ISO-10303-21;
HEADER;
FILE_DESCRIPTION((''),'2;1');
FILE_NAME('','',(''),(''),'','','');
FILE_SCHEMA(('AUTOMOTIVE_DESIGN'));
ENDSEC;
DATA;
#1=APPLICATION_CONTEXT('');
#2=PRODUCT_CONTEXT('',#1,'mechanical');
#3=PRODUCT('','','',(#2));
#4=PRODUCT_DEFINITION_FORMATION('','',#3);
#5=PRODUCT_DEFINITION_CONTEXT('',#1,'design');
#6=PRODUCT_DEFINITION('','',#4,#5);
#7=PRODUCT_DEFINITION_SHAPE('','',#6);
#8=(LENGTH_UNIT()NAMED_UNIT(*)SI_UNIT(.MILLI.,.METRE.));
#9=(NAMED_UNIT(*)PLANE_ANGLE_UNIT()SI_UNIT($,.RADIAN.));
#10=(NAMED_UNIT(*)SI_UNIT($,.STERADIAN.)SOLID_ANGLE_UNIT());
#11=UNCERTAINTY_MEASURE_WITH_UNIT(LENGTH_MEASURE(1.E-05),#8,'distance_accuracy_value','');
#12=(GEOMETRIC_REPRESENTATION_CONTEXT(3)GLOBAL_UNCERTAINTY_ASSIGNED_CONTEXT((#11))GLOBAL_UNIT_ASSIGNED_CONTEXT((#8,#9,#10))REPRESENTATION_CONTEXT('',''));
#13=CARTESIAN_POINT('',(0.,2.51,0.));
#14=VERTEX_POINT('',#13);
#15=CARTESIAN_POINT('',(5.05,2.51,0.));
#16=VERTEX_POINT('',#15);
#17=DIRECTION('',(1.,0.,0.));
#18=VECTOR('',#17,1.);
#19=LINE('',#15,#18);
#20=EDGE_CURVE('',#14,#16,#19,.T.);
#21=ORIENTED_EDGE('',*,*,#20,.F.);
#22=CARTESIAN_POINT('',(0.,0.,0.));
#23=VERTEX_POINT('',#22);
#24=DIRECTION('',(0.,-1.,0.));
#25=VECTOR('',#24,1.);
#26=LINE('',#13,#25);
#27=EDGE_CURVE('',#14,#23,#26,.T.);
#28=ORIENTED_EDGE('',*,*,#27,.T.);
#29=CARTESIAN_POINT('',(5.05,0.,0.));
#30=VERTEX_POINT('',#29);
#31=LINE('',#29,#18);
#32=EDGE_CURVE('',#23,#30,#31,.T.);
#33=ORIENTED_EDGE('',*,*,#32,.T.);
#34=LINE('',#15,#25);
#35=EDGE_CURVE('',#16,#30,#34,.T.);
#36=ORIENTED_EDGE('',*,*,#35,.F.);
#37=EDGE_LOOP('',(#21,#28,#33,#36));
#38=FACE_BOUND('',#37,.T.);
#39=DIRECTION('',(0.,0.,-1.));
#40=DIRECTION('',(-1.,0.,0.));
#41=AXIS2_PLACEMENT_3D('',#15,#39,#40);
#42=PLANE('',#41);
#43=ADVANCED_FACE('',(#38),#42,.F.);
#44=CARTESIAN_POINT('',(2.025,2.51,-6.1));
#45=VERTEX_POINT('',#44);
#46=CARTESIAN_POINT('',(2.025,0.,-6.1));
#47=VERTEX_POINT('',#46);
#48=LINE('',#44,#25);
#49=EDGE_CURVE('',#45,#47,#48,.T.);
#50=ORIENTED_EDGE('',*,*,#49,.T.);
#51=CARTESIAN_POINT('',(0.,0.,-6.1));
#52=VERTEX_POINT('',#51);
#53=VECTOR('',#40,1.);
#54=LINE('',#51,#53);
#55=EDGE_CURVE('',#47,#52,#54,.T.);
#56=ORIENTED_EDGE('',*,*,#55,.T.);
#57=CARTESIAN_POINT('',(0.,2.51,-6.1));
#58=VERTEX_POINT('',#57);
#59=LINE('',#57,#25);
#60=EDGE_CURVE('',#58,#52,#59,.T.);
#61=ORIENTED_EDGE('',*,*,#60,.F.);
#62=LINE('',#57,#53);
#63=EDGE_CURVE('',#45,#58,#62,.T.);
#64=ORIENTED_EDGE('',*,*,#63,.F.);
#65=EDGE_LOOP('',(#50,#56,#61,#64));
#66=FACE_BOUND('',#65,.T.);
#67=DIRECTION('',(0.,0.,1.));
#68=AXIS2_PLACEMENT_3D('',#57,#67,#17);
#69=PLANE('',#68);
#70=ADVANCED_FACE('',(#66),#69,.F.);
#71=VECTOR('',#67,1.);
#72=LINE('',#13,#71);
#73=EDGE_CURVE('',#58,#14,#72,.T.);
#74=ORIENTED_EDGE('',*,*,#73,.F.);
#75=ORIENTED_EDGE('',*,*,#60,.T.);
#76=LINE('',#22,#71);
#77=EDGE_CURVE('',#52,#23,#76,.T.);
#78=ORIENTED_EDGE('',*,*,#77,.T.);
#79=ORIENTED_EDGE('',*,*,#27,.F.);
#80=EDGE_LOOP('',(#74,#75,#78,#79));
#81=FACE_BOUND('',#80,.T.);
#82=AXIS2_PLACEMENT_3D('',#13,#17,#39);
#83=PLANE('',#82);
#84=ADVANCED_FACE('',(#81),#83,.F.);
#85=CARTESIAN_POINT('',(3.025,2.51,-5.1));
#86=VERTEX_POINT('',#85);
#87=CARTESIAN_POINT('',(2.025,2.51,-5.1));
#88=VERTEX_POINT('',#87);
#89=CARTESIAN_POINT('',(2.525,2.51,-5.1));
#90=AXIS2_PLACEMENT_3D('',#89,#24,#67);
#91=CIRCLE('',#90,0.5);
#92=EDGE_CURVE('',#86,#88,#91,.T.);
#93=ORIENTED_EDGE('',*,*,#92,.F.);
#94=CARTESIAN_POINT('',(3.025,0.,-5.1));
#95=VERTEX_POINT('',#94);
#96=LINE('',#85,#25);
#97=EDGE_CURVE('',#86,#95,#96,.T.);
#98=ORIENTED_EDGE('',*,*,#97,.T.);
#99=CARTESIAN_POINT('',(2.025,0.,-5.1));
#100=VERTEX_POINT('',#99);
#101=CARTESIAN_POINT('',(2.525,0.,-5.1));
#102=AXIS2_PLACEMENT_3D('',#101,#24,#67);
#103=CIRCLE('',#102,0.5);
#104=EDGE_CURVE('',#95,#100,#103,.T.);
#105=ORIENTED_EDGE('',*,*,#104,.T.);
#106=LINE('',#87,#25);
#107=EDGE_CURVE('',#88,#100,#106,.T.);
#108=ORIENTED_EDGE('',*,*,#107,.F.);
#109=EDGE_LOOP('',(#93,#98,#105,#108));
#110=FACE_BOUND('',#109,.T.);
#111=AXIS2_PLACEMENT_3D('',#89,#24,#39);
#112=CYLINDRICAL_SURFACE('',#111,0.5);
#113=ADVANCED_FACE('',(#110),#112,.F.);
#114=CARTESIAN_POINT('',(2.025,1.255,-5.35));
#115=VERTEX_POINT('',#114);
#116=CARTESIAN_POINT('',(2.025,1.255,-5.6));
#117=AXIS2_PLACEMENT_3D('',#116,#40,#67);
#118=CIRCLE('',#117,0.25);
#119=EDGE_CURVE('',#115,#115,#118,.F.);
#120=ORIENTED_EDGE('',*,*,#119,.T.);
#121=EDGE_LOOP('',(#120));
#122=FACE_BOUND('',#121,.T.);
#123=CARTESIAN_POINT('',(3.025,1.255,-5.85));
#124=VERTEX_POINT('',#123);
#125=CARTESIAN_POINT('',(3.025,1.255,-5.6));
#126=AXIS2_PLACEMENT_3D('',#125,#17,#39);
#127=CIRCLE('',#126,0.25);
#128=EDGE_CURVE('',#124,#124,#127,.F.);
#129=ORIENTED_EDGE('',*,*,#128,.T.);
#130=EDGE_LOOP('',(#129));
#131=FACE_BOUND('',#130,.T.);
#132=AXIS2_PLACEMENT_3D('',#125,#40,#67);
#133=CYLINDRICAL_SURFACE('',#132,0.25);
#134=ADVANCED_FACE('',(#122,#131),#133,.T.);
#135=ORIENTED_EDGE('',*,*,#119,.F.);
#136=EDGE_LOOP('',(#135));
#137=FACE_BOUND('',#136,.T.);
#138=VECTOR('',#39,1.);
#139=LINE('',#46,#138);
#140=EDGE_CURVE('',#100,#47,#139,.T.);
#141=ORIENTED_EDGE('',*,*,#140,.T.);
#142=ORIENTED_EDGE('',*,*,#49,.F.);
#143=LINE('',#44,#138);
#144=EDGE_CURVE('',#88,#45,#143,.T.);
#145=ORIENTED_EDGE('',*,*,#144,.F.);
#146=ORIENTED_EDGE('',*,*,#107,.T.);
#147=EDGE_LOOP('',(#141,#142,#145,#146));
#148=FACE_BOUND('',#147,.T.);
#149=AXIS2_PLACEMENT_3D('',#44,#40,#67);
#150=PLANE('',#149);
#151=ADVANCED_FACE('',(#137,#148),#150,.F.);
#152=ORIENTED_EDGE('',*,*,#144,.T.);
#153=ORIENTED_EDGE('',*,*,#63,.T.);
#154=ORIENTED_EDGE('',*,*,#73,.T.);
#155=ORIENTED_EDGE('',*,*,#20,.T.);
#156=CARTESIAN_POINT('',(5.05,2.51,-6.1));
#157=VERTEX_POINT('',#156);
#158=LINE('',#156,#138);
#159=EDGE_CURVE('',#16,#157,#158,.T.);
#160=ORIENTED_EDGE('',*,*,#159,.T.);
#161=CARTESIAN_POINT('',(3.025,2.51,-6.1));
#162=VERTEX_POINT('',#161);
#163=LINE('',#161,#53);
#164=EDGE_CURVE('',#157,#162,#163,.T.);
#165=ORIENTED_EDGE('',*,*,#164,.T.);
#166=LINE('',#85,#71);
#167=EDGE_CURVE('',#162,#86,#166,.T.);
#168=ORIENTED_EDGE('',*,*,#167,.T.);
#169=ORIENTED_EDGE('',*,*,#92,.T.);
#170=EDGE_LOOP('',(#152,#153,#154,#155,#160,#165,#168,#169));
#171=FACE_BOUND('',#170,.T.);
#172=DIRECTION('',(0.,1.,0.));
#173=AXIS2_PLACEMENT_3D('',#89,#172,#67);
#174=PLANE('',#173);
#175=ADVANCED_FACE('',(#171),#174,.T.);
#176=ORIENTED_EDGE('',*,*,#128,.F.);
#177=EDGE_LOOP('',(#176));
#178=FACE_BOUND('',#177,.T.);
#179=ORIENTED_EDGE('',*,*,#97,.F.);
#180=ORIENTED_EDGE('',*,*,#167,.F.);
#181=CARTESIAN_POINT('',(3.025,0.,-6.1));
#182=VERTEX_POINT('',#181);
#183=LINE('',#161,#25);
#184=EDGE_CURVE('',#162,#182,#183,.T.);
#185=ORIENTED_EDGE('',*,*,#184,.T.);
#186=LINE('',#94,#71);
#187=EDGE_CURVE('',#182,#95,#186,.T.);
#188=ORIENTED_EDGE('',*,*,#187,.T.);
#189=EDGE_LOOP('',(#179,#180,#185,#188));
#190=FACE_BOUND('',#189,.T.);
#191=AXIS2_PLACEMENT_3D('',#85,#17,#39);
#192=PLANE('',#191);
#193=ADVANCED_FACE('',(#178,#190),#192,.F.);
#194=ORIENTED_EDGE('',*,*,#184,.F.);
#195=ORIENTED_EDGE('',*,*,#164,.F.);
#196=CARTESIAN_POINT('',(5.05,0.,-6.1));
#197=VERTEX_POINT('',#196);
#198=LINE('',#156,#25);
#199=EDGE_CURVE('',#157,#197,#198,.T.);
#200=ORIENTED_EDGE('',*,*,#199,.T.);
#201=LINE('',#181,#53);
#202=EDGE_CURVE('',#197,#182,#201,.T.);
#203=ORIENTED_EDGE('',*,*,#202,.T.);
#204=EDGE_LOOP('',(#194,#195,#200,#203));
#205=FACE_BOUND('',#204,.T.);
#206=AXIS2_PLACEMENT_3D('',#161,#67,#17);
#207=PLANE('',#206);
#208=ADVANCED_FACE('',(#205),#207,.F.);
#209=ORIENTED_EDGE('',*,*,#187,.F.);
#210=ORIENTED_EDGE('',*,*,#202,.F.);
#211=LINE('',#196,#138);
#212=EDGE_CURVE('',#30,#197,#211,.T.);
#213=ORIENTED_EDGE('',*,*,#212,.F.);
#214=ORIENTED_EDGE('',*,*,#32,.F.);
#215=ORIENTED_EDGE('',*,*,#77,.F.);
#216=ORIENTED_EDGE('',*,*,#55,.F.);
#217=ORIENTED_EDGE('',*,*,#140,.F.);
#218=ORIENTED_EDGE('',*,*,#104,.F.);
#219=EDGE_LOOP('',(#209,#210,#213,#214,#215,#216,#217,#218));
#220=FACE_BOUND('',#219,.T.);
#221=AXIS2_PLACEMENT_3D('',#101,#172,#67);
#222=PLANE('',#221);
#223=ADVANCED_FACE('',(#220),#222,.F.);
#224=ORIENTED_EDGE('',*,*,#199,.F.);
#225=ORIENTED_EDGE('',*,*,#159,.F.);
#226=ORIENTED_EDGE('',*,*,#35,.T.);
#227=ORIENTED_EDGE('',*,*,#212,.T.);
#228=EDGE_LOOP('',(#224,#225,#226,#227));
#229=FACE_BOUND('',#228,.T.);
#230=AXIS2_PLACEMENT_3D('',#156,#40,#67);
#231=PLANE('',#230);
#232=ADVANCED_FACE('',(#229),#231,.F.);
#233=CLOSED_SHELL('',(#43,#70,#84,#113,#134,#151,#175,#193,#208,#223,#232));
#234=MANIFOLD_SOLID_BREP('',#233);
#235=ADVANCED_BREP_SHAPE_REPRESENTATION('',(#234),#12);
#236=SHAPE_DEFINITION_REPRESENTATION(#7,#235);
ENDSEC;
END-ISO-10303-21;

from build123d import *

# Parameters (mm, degrees)
EXTRUSION1_DEPTH = 2.51
ESQUISSE2_R      = 0.25
EXTRUSION2_DEPTH = 1


with BuildPart() as part:
    # Esquisse1 → Extrusion1 (new body)
    with BuildSketch(Plane(origin=(0, 0, 0), x_dir=(1, 0, 0), z_dir=(0, 1, 0))):
        with BuildLine():
            Line((3.025, 5.1), (3.025, 6.1))
            Line((3.025, 6.1), (5.05, 6.1))
            Line((5.05, 6.1), (5.05, 0))
            Line((5.05, 0), (0, 0))
            Line((0, 0), (0, 6.1))
            Line((0, 6.1), (2.025, 6.1))
            Line((2.025, 6.1), (2.025, 5.1))
            ThreePointArc((2.025, 5.1), (2.525, 4.6), (3.025, 5.1))
        make_face()
    extrude(amount=EXTRUSION1_DEPTH)

    # Esquisse2 → Extrusion2 (add)
    with BuildSketch(Plane(origin=(2.025, 0, 0), x_dir=(0, 0, -1), z_dir=(1, 0, 0))):
        with Locations(Location((5.6, 1.255, 0), (0, 0, 180))):  # turned: the seam where the file's is
            Circle(ESQUISSE2_R)
    extrude(amount=EXTRUSION2_DEPTH)


solid = part.part
